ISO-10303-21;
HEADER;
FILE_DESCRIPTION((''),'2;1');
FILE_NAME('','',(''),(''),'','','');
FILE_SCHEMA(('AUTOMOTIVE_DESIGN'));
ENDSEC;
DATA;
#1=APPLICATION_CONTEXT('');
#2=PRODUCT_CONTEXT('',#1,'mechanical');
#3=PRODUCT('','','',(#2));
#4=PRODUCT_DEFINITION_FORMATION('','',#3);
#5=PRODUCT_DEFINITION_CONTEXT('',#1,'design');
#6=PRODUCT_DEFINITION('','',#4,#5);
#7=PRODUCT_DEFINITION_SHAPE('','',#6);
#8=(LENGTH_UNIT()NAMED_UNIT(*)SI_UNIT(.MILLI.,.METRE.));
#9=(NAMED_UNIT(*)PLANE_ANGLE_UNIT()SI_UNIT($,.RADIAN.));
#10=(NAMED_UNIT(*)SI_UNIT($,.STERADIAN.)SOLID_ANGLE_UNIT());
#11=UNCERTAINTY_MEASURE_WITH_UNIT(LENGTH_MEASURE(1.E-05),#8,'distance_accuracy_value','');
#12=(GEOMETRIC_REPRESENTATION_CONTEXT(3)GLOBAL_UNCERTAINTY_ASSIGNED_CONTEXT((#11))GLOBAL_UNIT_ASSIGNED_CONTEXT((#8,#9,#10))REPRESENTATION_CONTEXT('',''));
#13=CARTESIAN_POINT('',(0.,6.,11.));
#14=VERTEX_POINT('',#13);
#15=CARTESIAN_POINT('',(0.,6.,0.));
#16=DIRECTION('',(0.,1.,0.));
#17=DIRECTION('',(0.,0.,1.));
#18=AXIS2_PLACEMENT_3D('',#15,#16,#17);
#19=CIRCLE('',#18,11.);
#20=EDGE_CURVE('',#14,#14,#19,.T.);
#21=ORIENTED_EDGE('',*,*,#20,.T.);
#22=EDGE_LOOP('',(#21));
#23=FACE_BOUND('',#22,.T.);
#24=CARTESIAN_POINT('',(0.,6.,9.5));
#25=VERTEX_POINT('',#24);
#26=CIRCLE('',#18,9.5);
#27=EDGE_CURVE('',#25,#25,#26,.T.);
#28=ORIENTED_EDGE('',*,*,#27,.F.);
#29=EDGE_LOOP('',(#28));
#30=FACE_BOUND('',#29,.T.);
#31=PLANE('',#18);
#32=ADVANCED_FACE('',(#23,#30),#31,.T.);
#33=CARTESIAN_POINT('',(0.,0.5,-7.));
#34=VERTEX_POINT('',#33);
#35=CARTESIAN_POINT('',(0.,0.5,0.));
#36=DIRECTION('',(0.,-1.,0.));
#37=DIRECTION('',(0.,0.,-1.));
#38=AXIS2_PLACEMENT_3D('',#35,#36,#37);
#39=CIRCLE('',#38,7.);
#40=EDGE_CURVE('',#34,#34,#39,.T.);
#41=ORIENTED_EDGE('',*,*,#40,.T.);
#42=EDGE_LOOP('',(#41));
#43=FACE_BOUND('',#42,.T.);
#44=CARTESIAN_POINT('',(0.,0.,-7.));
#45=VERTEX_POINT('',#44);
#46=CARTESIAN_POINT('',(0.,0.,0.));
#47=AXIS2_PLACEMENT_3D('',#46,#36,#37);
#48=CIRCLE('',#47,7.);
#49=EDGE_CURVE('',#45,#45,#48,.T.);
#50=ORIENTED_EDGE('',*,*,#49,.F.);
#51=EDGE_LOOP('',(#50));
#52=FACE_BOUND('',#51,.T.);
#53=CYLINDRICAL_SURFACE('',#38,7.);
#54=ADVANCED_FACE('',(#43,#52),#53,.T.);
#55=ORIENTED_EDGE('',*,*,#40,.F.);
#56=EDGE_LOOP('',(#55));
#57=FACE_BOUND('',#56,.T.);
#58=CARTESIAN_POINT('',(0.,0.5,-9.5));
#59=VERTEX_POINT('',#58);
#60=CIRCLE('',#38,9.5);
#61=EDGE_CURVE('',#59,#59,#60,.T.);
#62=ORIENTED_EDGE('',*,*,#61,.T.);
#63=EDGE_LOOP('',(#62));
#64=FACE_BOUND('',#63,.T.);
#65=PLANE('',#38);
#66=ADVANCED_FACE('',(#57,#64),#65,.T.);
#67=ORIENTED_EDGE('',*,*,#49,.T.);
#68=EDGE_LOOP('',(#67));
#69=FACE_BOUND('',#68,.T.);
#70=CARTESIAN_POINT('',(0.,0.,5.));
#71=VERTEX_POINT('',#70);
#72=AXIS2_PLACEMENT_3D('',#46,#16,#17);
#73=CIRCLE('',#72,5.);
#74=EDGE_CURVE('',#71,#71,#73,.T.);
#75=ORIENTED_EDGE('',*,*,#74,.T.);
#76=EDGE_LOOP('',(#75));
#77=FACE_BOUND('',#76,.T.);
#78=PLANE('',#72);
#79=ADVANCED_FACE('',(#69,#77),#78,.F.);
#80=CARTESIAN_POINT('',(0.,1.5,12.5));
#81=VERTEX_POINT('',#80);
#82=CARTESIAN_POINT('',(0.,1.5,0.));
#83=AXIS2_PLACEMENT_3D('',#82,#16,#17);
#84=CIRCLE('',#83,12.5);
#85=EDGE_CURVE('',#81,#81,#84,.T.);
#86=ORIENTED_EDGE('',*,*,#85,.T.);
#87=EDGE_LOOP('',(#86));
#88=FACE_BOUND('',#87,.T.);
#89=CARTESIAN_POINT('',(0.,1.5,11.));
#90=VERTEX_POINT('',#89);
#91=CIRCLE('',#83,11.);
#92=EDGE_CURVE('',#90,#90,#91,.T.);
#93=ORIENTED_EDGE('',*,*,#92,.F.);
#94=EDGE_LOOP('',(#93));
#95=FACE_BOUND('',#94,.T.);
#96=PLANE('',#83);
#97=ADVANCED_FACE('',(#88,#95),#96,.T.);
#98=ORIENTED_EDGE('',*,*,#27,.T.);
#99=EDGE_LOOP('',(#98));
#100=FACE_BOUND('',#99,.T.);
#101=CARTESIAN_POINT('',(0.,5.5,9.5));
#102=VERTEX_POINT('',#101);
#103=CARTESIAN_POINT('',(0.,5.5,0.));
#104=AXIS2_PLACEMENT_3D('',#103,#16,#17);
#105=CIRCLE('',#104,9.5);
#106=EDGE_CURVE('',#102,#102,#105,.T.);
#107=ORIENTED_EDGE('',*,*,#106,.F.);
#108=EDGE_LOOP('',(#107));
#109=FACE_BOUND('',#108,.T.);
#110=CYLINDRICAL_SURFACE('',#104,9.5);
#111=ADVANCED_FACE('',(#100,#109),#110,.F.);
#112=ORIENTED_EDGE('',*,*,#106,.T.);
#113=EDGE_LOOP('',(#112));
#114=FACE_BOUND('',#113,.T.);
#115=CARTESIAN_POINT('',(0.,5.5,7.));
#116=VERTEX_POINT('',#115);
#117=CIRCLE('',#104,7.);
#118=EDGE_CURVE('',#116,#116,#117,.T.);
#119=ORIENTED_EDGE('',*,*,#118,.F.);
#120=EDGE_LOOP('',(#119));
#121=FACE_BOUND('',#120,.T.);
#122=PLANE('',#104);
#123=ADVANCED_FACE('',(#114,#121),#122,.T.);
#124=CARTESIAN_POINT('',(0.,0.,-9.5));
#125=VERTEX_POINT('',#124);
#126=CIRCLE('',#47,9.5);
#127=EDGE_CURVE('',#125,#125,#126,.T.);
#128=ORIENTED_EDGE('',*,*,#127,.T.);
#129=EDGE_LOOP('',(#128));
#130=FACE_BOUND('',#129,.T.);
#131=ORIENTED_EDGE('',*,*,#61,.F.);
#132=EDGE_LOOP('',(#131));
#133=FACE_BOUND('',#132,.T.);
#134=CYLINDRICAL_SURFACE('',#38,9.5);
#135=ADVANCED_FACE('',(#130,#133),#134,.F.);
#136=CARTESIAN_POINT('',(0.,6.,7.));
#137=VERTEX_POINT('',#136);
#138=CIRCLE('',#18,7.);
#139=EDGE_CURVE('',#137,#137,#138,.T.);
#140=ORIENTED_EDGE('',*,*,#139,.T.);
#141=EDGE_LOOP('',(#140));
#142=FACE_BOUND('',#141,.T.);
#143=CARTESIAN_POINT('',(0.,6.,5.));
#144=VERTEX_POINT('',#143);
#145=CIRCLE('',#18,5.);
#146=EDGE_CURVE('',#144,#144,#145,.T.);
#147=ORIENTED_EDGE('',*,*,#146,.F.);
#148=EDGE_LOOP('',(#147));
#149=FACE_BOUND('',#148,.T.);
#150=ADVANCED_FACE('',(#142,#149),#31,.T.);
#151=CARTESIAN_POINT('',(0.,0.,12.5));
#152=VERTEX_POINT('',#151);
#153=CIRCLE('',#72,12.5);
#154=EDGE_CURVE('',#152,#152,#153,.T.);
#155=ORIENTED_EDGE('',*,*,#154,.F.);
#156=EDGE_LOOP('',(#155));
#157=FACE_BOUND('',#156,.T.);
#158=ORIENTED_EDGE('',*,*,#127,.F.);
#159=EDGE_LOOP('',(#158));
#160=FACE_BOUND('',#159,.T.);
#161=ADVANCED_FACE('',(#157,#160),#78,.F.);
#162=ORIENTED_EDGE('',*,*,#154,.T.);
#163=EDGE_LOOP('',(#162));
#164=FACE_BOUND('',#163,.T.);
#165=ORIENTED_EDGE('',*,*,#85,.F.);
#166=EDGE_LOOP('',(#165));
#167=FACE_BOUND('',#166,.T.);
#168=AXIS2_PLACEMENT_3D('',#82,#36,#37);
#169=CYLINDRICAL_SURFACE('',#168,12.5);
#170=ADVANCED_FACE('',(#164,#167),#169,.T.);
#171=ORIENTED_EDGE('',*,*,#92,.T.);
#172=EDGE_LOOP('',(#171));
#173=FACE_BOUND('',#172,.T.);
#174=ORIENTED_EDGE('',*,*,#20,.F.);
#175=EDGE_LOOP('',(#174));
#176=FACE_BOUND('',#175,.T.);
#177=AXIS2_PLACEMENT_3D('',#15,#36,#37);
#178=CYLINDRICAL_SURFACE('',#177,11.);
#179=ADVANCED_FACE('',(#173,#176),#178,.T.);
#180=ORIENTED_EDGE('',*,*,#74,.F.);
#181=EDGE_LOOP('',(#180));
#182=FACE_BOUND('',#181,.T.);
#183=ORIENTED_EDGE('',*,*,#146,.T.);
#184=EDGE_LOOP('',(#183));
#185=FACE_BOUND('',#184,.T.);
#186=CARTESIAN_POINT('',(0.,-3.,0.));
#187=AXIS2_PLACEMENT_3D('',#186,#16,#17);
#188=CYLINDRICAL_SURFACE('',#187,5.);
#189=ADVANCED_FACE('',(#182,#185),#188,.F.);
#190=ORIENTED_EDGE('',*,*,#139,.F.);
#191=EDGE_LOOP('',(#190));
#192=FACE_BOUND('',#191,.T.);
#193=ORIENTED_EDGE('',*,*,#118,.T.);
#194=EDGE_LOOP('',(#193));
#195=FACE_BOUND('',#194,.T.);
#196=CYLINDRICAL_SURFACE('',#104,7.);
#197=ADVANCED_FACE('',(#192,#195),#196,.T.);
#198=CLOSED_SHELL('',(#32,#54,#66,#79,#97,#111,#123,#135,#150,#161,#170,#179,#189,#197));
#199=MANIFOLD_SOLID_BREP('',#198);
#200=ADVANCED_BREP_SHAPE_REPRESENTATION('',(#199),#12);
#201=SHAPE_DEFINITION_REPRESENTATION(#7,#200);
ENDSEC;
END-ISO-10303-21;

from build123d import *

# Parameters (mm, degrees)
SKETCH_1_R          = 12.5
EXTRUDE_1_DEPTH     = 1.5
SKETCH_2_R          = 11
EXTRUDE_2_DEPTH     = 4.5
SKETCH_3_R          = 5
CUT_EXTRUDE_1_DEPTH = 9
SKETCH_4_R          = 9.5
SKETCH_4_R_2        = 7
CUT_EXTRUDE_2_DEPTH = 0.5
SKETCH_5_R          = 9.5
SKETCH_5_R_2        = 7
CUT_EXTRUDE_3_DEPTH = 0.5


with BuildPart() as part:
    # 草图1 → 凸台-拉伸1 (new body)
    with BuildSketch(Plane(origin=(0, 0, 0), x_dir=(1, 0, 0), z_dir=(0, 1, 0))):
        Circle(SKETCH_1_R)
    extrude(amount=EXTRUDE_1_DEPTH)

    # 草图2 → 凸台-拉伸2 (add)
    with BuildSketch(Plane(origin=(0, 1.5, 0), x_dir=(1, 0, 0), z_dir=(0, 1, 0))):
        Circle(SKETCH_2_R)
    extrude(amount=EXTRUDE_2_DEPTH)

    # 草图3 → 切除-拉伸1 (cut)
    with BuildSketch(Plane(origin=(0, 6, 0), x_dir=(1, 0, 0), z_dir=(0, 1, 0))):
        Circle(SKETCH_3_R)
    extrude(amount=-CUT_EXTRUDE_1_DEPTH, mode=Mode.SUBTRACT)

    # 草图4 → 切除-拉伸2 (cut)
    with BuildSketch(Plane.XZ):
        Circle(SKETCH_4_R)
        Circle(SKETCH_4_R_2, mode=Mode.SUBTRACT)
    extrude(amount=-CUT_EXTRUDE_2_DEPTH, mode=Mode.SUBTRACT)

    # 草图5 → 切除-拉伸3 (cut)
    with BuildSketch(Plane(origin=(0, 6, 0), x_dir=(1, 0, 0), z_dir=(0, 1, 0))):
        Circle(SKETCH_5_R)
        Circle(SKETCH_5_R_2, mode=Mode.SUBTRACT)
    extrude(amount=-CUT_EXTRUDE_3_DEPTH, mode=Mode.SUBTRACT)


solid = part.part
